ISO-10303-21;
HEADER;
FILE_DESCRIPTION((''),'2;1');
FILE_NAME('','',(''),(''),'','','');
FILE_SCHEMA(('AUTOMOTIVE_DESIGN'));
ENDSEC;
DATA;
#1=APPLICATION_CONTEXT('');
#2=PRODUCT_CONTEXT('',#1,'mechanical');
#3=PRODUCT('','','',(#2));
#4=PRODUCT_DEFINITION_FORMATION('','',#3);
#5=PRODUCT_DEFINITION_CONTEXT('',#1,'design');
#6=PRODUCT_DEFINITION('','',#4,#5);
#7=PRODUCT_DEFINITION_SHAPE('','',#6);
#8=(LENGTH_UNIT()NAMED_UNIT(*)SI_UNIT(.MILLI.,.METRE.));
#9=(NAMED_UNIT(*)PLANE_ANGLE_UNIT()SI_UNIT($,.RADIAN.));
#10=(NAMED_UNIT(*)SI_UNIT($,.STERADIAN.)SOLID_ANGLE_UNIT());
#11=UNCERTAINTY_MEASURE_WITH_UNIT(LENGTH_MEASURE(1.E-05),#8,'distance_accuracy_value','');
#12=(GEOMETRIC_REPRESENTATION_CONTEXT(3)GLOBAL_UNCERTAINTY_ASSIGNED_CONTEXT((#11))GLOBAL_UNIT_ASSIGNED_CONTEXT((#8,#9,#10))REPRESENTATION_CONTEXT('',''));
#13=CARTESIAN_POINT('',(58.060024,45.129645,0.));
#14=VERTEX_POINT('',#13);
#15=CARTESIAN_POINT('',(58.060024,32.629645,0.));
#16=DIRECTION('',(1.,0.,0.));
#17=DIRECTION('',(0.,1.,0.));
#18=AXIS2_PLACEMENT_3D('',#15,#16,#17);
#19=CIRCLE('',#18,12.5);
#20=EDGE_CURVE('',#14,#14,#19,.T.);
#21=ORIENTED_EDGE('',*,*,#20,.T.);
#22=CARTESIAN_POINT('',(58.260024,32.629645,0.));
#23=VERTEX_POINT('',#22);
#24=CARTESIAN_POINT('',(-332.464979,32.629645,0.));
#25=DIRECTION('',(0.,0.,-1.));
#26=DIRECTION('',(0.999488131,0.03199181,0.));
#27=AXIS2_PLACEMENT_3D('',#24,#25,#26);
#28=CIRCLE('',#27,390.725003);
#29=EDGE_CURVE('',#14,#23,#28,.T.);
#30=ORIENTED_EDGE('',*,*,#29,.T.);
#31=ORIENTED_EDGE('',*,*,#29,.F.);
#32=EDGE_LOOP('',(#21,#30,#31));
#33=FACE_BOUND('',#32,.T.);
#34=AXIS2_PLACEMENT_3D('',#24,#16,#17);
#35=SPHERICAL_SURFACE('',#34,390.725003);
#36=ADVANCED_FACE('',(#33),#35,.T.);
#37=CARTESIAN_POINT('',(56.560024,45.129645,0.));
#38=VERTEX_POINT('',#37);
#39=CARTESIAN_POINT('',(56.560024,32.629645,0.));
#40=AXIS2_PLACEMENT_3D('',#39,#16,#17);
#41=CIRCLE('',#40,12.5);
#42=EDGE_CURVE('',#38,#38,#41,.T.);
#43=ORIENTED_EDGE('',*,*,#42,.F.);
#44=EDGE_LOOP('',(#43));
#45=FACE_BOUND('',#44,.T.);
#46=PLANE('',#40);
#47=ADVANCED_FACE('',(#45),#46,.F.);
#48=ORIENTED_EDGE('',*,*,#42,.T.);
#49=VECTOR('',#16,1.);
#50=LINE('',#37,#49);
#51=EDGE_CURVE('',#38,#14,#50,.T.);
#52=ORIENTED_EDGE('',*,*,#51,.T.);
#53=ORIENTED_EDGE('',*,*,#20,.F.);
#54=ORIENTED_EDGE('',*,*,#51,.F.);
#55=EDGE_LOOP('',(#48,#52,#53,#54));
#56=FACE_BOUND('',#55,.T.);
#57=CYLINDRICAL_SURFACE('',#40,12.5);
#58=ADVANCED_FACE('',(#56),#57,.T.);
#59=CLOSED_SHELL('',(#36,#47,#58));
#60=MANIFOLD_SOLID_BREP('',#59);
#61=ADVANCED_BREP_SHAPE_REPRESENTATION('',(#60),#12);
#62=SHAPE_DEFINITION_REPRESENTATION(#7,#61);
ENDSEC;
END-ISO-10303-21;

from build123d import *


with BuildPart() as part:
    # 草图1 → 旋转1 (revolve)
    with BuildSketch(Plane.XY):
        with BuildLine():
            Line((56.560024263, 32.629645364), (56.560024263, 45.129645364))
            Line((56.560024263, 45.129645364), (58.060024263, 45.129645364))
            ThreePointArc((58.060024263, 45.129645364), (58.210021063, 38.880445313), (58.260024263, 32.629645364))
            Line((58.260024263, 32.629645364), (56.560024263, 32.629645364))
        make_face()
    revolve(axis=Axis((54.530916684, 32.629645364, 0), (1, 0, 0)))


solid = part.part
